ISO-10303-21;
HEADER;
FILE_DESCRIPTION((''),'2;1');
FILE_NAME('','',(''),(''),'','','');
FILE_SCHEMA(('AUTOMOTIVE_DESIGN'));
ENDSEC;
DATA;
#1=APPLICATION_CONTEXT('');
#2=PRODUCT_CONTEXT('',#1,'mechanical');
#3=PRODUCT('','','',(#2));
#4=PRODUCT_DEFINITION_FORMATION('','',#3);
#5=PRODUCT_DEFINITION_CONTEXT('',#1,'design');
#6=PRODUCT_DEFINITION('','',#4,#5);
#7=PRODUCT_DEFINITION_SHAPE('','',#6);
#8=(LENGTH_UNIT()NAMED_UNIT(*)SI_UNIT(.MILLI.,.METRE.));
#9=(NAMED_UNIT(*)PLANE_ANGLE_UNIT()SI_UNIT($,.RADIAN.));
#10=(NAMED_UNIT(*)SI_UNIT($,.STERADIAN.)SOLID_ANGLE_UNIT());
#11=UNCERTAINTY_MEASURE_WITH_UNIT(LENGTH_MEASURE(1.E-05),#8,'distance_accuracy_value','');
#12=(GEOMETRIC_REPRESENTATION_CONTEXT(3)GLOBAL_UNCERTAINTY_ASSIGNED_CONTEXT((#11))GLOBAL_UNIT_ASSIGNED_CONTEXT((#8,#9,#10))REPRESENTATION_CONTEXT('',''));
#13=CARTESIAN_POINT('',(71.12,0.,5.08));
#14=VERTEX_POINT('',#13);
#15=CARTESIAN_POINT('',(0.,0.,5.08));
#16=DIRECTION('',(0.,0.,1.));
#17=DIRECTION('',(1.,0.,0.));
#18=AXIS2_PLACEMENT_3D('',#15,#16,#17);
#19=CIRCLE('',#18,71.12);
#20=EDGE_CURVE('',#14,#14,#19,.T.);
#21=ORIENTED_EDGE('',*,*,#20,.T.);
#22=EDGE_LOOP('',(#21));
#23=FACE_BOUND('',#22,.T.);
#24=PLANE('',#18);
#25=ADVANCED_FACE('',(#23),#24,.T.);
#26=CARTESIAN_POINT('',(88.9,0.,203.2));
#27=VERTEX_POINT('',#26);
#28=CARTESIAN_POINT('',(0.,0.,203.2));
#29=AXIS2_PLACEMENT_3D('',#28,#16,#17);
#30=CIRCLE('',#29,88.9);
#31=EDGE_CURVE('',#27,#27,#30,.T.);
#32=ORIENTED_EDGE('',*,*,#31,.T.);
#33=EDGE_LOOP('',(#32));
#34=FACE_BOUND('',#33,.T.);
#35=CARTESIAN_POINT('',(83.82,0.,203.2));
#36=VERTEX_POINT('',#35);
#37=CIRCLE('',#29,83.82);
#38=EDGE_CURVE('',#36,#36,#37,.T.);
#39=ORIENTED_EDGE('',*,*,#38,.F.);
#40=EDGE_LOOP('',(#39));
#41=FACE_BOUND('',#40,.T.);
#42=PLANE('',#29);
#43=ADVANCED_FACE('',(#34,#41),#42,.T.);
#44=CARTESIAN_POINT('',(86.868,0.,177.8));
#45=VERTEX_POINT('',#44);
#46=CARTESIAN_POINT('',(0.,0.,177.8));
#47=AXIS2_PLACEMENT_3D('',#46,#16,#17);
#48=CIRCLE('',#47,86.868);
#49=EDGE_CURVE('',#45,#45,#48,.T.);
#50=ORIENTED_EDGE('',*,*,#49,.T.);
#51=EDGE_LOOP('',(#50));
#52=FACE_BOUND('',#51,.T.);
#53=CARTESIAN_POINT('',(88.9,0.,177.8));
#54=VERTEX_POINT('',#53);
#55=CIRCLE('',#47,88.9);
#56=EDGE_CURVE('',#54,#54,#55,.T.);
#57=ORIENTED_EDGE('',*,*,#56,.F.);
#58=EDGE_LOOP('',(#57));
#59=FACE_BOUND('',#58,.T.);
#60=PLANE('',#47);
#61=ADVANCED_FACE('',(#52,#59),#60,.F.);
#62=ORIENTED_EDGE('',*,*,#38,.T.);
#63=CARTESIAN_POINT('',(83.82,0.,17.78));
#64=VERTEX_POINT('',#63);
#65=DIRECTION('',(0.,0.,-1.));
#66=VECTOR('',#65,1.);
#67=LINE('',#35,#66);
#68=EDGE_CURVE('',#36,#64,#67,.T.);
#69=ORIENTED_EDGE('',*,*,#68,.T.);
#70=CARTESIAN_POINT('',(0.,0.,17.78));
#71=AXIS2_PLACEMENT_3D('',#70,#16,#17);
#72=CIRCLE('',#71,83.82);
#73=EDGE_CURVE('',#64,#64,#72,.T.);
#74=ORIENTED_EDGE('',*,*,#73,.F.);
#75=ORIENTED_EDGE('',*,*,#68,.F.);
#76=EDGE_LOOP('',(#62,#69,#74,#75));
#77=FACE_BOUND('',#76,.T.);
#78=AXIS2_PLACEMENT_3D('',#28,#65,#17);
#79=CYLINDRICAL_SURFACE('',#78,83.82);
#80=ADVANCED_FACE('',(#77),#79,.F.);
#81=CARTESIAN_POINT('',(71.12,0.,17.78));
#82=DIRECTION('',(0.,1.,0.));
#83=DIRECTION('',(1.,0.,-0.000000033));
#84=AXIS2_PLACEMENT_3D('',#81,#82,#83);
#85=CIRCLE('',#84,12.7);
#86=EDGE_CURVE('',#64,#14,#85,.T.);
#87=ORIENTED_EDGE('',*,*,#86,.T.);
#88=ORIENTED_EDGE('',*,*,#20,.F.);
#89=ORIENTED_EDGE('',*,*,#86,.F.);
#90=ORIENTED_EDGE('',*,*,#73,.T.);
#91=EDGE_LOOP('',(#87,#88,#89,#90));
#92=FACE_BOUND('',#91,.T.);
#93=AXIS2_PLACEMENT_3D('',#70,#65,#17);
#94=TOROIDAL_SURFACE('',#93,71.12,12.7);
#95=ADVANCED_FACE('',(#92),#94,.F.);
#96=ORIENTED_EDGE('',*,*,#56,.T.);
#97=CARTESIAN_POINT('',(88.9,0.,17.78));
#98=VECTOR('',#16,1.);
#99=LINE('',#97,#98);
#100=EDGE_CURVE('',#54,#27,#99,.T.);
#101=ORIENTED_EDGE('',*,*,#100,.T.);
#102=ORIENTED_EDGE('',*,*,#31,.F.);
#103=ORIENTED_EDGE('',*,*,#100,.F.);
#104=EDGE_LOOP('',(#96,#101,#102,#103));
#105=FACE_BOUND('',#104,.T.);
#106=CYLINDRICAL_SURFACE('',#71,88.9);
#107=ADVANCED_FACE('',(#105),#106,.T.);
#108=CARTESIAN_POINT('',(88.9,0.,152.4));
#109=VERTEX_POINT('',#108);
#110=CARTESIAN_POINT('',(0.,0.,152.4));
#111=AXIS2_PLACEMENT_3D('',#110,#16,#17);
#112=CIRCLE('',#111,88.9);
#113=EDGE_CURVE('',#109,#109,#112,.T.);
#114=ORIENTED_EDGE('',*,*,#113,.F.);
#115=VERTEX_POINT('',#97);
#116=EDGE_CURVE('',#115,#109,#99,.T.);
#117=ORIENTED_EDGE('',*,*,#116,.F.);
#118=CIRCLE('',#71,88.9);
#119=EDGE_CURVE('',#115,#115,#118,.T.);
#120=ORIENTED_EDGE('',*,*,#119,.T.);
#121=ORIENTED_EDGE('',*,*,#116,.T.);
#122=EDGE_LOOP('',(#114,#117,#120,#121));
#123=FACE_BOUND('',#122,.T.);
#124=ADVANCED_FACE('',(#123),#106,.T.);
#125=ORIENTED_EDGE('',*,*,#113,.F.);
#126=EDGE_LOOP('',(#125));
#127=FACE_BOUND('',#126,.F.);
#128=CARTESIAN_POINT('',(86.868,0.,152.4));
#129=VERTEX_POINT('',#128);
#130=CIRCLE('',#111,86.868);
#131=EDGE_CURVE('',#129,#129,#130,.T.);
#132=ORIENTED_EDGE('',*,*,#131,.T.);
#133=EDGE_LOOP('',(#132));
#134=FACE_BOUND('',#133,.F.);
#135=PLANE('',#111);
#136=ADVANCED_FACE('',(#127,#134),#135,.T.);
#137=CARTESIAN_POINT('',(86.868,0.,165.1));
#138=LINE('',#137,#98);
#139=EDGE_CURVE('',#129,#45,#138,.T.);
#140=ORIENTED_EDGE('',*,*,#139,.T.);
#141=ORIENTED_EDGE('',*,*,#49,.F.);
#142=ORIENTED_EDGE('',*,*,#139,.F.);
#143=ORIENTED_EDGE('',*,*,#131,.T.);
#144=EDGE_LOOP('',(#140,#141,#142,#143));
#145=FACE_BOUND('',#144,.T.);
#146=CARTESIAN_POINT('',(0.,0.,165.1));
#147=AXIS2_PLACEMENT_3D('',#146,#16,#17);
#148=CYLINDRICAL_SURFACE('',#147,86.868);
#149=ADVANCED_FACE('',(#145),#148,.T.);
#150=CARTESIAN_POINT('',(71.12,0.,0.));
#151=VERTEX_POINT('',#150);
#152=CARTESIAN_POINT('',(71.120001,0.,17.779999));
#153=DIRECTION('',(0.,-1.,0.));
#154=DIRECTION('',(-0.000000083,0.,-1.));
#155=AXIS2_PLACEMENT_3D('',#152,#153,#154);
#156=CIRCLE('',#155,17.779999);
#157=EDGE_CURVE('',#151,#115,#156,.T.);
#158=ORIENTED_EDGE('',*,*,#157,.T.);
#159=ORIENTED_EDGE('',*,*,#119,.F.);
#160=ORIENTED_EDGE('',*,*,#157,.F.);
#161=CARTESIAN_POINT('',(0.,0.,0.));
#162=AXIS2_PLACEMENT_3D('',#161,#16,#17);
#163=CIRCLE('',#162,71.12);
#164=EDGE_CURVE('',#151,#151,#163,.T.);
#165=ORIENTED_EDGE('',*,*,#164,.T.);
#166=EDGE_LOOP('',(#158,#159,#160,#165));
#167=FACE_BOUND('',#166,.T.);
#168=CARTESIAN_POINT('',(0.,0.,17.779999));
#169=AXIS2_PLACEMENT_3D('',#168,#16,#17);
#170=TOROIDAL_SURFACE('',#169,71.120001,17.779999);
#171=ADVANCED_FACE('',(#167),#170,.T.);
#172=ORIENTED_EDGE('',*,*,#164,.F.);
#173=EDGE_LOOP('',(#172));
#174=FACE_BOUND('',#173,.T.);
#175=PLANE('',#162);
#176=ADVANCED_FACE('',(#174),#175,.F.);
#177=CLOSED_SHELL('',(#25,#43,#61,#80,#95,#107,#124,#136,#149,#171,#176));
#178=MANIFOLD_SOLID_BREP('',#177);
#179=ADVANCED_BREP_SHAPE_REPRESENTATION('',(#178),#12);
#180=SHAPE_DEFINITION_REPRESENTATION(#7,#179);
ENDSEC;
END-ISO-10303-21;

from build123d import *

# Parameters (mm, degrees)
F2_W = 2.032
F2_H = 25.4


with BuildPart() as f1:
    # F0 (on Front) → F1 (revolve)
    with BuildSketch(Plane.XZ):
        with BuildLine():
            Line((0, 5.08), (0, 0))
            Line((0, 0), (71.12, 0))
            ThreePointArc((71.12, 0), (83.692359, 5.207641), (88.9, 17.78))
            Line((88.9, 17.78), (88.9, 203.2))
            Line((88.9, 203.2), (83.82, 203.2))
            Line((83.82, 203.2), (83.82, 17.78))
            ThreePointArc((83.82, 17.78), (80.100256, 8.799744), (71.12, 5.08))
            Line((71.12, 5.08), (0, 5.08))
        make_face()
    revolve(axis=Axis((0, 0, 21.288667), (0, 0, 1)))

    # F2 (on Front) → F3 (revolve, cut)
    with BuildSketch(Plane.XZ):
        with Locations((87.884, 165.1)):
            Rectangle(F2_W, F2_H)
    revolve(axis=Axis((0, 0, 17.78), (0, 0, 1)), mode=Mode.SUBTRACT)


solid = f1.part
